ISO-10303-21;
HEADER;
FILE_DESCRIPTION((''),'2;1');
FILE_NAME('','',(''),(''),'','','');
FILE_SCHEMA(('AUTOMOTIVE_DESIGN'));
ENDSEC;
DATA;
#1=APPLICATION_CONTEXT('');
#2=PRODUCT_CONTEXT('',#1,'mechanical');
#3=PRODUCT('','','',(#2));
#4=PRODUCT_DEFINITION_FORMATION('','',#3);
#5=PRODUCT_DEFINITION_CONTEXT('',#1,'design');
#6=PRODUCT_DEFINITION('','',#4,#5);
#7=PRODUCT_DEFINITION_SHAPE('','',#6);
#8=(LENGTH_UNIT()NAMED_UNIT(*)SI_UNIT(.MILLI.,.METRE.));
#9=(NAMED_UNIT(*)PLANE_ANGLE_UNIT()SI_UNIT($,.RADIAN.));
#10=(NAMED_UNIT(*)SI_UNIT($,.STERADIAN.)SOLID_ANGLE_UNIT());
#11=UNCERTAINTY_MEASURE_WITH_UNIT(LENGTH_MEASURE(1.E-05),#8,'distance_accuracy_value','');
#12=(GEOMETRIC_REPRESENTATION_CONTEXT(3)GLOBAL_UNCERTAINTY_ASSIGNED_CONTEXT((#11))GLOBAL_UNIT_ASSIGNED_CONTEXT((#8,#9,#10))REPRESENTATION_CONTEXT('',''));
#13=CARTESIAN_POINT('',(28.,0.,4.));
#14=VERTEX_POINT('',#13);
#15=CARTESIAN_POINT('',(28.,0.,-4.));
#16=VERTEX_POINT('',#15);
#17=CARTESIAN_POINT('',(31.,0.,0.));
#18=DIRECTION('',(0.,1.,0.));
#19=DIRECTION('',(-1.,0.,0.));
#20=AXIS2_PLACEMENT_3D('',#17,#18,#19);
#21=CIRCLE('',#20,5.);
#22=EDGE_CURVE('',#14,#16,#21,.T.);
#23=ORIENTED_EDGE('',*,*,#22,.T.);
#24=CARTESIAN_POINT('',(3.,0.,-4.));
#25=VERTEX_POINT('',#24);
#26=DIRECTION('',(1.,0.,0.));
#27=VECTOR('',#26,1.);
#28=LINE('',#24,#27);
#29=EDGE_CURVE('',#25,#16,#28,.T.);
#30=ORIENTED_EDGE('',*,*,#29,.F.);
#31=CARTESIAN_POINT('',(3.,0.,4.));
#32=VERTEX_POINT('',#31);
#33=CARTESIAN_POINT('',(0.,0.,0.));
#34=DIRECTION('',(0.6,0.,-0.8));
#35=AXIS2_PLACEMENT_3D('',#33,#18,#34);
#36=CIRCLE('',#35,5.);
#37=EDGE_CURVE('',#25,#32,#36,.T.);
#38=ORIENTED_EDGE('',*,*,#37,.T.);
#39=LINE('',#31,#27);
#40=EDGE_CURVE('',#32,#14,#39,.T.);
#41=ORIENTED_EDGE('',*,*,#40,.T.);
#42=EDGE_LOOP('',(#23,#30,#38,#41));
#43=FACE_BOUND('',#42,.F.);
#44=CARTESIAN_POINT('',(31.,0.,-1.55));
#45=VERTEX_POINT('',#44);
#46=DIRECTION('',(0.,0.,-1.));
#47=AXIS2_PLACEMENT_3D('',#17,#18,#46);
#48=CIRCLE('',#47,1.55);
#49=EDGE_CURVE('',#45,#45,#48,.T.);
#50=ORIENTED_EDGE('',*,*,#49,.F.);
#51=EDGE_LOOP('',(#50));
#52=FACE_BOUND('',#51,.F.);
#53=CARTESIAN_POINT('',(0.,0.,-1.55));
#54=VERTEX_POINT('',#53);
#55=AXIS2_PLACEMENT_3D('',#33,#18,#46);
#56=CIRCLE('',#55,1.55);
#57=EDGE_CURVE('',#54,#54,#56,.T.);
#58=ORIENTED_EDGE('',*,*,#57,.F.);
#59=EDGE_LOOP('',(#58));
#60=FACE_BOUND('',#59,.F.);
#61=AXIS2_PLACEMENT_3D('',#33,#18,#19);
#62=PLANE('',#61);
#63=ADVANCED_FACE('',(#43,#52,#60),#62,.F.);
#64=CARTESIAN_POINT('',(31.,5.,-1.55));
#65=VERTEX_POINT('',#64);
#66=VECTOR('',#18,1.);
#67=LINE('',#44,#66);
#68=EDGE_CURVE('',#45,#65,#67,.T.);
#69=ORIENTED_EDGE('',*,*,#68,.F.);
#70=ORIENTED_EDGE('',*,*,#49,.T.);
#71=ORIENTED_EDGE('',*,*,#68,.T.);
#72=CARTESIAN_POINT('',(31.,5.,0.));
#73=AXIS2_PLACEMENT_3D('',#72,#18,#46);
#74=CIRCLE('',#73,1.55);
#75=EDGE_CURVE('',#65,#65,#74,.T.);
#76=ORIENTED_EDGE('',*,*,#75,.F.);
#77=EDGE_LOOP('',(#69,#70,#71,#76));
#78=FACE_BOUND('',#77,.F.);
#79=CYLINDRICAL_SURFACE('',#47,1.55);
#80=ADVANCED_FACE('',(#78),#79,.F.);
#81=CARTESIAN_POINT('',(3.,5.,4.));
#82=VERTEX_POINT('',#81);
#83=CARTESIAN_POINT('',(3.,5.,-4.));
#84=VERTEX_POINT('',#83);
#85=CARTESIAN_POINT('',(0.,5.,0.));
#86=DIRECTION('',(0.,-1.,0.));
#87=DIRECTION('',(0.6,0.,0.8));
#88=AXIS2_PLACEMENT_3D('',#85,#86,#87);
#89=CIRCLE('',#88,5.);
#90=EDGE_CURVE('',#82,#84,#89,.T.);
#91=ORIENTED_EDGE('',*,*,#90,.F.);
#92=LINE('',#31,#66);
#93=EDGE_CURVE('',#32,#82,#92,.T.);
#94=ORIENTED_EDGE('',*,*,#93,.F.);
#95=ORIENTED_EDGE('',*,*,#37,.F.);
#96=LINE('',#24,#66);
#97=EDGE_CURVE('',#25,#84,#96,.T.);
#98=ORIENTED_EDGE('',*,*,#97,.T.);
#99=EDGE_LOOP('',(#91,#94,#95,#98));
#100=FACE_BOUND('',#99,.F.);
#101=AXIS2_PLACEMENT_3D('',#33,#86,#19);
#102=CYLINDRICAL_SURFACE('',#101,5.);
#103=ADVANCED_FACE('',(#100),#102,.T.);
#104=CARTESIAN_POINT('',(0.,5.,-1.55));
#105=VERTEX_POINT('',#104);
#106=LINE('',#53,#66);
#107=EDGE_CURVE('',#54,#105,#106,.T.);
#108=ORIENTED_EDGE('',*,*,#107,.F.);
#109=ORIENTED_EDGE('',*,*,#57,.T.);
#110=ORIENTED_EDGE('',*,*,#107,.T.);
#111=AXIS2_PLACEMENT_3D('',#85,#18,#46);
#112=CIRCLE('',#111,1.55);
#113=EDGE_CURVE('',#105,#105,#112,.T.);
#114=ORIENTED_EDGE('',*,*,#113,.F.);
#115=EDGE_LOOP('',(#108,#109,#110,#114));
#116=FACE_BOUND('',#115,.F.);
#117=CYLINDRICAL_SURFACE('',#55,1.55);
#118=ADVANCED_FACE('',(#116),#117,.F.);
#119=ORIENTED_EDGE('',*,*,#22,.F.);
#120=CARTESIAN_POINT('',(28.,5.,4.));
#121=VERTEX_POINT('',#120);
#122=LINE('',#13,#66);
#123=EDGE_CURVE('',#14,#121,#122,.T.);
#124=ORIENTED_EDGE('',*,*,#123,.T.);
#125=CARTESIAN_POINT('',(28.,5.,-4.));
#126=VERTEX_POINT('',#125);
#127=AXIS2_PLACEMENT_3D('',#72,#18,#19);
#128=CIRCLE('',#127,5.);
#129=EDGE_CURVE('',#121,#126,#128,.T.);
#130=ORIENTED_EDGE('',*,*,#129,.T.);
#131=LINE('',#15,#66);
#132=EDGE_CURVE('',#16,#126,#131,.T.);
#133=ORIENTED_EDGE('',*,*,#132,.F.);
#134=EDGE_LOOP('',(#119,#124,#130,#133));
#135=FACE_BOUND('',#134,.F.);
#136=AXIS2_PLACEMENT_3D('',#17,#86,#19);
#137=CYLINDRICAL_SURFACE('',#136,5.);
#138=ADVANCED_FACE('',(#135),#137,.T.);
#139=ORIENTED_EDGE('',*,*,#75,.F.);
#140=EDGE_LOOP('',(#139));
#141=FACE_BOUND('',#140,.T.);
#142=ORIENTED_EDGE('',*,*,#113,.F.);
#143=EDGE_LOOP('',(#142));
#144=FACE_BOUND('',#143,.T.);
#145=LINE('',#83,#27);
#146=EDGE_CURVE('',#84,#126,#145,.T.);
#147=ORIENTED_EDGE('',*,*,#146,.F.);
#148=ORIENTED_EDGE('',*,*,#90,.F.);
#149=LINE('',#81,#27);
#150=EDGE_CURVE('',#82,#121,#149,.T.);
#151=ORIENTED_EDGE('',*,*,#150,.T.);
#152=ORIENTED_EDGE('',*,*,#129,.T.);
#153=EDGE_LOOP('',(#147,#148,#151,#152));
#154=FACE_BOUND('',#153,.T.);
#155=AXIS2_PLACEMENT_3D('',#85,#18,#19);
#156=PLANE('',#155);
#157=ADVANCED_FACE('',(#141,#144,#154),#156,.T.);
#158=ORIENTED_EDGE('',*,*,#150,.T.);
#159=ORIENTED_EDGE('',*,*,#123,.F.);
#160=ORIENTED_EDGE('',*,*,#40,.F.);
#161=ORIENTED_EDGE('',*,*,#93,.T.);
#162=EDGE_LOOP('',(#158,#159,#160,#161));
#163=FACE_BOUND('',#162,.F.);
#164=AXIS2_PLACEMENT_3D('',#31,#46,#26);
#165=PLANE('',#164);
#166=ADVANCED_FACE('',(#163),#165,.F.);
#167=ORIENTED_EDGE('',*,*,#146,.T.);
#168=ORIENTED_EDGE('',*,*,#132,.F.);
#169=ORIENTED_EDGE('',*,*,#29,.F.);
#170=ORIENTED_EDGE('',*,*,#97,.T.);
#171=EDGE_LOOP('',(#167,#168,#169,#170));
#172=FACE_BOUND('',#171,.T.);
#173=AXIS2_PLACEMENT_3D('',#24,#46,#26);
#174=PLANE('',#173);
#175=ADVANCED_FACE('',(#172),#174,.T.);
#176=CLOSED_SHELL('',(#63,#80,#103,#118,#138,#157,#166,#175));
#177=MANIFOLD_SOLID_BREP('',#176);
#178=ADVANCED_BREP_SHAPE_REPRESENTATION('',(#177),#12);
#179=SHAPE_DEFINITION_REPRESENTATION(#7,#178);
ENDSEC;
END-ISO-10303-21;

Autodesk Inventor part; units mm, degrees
ref_plane "YZ Plane" through (0, 0, 0) normal (1, 0, 0) x (0, 1, 0)
ref_plane "XZ Plane" through (0, 0, 0) normal (0, 1, 0) x (-1, 0, 0)
sketch "Sketch1" plane through (0, 0, 0) normal (0, 1, 0) x (-1, 0, 0)
  circle A0 centre (0, 0) radius 5
  circle A1 centre (-31, 0) radius 5
  line L0 (-3, -4) -> (-28, -4)
  line L1 (-3, 4) -> (-28, 4)
  line L2 (0, 0) -> (-31, 0) construction
  dimension "d0" = 10
  dimension "d1" = 10
  dimension "d2" = 4
  dimension "d3" = 4
  dimension "d27" = 25
extrude "Extrusion1" add sketch "Sketch1" along normal blind 5
sketch "Sketch2" plane through (0, 0, 0) normal (0, -1, 0) x (1, 0, 0)
  line L0 (0, 0) -> (31, 0) construction
  arc A0 (28, -4) -> (28, 4) centre (31, 0) ccw projected
  line L1 (3, 4) -> (28, 4) projected
  arc A1 (3, 4) -> (3, -4) centre (0, 0) ccw projected
  line L2 (28, -4) -> (3, -4) projected
hole "Hole1" at (31, 0, 0) at (0, 0, 0) direction (0, 1, 0) diameter 3.1 end through all
ref_plane "Work Plane1" through (0, 1.5, 0) normal (0, 1, 0) x (1, 0, 0)
properties part number "gripper_hand_connector" material "Aluminum 6061-AHC"
